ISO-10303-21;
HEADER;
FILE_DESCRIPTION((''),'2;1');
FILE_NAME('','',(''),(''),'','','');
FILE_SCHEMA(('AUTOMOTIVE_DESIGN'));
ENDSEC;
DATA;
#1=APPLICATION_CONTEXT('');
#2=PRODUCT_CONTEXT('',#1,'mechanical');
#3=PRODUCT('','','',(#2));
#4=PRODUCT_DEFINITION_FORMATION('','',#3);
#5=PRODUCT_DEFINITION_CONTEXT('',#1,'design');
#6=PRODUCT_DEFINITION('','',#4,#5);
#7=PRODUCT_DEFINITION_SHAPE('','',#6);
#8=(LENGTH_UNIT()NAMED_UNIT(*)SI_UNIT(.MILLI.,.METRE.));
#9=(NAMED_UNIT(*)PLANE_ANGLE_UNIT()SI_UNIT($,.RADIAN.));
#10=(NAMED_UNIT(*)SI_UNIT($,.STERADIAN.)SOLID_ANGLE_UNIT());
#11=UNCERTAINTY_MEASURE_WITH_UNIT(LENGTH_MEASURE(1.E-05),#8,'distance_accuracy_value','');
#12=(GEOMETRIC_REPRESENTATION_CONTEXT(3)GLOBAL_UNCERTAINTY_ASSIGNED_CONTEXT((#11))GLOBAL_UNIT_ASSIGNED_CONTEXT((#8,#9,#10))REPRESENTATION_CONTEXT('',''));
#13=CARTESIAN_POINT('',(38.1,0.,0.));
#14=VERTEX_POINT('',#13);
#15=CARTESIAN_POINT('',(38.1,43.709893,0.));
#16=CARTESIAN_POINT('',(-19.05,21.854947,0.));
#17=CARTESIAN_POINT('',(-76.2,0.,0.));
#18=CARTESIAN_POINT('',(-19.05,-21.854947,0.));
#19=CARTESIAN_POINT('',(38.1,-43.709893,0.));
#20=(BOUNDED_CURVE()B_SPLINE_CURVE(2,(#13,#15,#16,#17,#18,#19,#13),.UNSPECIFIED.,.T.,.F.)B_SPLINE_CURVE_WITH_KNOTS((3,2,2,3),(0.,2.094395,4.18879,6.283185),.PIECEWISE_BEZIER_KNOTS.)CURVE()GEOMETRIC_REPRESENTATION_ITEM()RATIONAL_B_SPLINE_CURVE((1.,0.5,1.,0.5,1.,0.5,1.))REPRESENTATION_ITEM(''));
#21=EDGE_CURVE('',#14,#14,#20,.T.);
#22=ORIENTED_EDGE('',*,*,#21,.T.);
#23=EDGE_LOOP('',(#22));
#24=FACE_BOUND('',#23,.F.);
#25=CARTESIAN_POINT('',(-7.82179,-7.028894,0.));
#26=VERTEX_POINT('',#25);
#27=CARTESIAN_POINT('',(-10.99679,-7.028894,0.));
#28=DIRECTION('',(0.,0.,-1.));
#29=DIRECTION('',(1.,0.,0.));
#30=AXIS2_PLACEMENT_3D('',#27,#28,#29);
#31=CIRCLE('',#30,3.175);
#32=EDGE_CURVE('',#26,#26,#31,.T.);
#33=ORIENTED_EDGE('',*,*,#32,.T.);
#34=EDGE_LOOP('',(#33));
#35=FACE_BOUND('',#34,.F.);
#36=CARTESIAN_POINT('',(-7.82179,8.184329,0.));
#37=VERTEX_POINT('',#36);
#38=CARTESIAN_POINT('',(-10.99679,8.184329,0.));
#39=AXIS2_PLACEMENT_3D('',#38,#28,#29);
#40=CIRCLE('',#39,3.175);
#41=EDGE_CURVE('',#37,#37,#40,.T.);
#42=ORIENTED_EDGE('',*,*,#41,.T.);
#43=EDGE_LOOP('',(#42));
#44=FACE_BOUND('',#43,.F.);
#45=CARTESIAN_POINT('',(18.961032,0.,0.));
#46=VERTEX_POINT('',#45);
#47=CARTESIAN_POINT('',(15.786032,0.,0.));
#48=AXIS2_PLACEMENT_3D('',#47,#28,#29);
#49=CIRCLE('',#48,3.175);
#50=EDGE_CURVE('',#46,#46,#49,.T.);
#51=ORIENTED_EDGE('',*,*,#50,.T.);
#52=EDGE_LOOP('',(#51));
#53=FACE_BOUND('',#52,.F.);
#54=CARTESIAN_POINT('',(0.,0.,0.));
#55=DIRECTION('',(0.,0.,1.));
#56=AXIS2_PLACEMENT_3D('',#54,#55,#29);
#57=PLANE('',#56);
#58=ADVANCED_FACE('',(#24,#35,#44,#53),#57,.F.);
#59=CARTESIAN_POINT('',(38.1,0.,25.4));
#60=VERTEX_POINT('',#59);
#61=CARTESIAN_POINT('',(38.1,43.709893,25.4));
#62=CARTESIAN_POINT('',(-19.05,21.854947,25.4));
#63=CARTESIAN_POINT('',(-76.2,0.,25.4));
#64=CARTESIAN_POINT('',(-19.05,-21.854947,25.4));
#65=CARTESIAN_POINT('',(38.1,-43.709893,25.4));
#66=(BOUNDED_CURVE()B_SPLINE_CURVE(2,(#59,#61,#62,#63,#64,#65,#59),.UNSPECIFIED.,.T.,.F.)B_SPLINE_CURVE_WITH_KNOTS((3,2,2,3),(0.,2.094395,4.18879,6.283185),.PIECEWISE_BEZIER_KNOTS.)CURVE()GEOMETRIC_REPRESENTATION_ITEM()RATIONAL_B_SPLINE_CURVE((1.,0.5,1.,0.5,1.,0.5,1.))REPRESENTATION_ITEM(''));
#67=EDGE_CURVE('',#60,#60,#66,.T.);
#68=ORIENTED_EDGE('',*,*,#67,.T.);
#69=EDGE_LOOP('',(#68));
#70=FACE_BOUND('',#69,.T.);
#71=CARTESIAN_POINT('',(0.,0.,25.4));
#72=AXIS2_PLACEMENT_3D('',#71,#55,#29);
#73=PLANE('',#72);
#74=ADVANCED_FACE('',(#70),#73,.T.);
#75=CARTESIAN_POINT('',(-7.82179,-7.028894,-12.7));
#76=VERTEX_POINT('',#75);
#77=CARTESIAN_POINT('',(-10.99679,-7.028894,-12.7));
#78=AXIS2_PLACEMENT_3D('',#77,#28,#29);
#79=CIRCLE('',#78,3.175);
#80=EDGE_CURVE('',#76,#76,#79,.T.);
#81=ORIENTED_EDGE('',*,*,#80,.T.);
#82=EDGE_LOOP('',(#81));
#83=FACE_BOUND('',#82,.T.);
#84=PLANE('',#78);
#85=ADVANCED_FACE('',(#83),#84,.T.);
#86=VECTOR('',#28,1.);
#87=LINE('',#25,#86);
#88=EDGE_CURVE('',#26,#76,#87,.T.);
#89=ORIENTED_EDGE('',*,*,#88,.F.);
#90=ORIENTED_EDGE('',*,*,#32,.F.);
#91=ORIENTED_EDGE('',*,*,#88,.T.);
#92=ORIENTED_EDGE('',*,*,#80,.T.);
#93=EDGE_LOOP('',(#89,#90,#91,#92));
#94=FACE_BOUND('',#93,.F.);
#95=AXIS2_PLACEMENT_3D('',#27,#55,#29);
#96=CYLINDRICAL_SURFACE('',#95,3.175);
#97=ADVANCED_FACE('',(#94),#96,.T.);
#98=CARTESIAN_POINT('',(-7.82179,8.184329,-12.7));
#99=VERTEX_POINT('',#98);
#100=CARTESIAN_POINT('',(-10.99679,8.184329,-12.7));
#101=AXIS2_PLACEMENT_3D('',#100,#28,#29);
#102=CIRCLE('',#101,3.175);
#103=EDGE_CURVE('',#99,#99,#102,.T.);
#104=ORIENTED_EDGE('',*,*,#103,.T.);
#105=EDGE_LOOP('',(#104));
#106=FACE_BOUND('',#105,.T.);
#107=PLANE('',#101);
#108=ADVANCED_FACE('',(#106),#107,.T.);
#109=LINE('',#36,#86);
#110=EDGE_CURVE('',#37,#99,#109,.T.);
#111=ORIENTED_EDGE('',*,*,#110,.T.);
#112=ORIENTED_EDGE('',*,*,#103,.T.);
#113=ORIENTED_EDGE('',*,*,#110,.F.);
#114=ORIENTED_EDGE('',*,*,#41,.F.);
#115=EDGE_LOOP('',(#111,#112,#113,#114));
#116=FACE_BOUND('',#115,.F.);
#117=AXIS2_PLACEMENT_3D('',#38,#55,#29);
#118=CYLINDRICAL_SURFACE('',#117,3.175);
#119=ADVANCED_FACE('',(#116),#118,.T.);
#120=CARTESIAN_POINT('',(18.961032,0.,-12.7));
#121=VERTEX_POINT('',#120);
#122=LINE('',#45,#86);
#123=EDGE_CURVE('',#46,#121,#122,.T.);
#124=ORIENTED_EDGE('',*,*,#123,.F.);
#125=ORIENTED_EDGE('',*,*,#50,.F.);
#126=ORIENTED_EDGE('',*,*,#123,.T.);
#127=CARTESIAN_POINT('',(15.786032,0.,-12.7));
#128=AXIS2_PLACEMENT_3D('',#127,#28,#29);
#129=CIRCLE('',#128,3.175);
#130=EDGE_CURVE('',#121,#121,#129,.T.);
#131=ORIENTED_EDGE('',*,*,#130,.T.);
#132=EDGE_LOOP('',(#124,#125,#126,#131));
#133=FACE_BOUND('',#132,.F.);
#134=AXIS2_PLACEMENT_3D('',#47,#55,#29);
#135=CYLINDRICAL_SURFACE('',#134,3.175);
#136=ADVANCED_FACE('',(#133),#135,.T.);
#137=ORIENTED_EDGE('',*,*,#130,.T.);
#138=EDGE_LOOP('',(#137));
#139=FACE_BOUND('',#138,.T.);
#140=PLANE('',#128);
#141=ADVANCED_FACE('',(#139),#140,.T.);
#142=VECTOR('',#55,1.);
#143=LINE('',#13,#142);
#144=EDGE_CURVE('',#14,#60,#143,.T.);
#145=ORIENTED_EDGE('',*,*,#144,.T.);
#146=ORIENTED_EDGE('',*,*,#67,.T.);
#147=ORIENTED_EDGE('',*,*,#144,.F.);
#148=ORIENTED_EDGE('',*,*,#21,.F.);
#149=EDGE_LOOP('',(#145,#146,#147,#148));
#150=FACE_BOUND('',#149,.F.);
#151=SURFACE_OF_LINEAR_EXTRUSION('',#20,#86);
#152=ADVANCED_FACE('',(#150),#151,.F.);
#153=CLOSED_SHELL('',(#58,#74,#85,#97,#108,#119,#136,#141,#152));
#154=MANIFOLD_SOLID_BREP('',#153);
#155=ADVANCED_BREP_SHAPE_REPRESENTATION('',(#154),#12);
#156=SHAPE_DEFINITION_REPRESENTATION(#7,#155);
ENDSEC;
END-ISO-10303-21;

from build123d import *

# Parameters (mm, degrees)
F1_DEPTH = 25.4
F2_R     = 3.175
F3_DEPTH = 12.7
F4_DEPTH = 12.7


with BuildPart() as f1:
    # F0 (on Top) → F1 (new body)
    with BuildSketch(Plane.XY):
        with BuildLine():
            add(Edge.make_bspline(
                [(38.1, 0), (38.1, 43.709893), (-19.05, 21.854947), (-76.2, 0), (-19.05, -21.854947), (38.1, -43.709893), (38.1, 0)],
                knots=[0, 0, 0, 2.094395, 2.094395, 4.18879, 4.18879, 6.283185, 6.283185, 6.283185], degree=2, weights=[1, 0.5, 1, 0.5, 1, 0.5, 1]))
        make_face()
    extrude(amount=F1_DEPTH)

    # F2 (on face) → F3 (join)
    with BuildSketch(Plane(origin=(0, 0, 0), x_dir=(1, 0, 0), z_dir=(0, 0, -1))):
        with Locations((15.786032, 0)):
            Circle(F2_R)
    extrude(amount=F3_DEPTH)

    # F2 (on face) → F4 (join)
    with BuildSketch(Plane(origin=(0, 0, 0), x_dir=(1, 0, 0), z_dir=(0, 0, -1))):
        with Locations((-10.99679, 7.028894)):
            Circle(F2_R)
        with Locations((-10.99679, -8.184329)):
            Circle(F2_R)
    extrude(amount=F4_DEPTH)


solid = f1.part
